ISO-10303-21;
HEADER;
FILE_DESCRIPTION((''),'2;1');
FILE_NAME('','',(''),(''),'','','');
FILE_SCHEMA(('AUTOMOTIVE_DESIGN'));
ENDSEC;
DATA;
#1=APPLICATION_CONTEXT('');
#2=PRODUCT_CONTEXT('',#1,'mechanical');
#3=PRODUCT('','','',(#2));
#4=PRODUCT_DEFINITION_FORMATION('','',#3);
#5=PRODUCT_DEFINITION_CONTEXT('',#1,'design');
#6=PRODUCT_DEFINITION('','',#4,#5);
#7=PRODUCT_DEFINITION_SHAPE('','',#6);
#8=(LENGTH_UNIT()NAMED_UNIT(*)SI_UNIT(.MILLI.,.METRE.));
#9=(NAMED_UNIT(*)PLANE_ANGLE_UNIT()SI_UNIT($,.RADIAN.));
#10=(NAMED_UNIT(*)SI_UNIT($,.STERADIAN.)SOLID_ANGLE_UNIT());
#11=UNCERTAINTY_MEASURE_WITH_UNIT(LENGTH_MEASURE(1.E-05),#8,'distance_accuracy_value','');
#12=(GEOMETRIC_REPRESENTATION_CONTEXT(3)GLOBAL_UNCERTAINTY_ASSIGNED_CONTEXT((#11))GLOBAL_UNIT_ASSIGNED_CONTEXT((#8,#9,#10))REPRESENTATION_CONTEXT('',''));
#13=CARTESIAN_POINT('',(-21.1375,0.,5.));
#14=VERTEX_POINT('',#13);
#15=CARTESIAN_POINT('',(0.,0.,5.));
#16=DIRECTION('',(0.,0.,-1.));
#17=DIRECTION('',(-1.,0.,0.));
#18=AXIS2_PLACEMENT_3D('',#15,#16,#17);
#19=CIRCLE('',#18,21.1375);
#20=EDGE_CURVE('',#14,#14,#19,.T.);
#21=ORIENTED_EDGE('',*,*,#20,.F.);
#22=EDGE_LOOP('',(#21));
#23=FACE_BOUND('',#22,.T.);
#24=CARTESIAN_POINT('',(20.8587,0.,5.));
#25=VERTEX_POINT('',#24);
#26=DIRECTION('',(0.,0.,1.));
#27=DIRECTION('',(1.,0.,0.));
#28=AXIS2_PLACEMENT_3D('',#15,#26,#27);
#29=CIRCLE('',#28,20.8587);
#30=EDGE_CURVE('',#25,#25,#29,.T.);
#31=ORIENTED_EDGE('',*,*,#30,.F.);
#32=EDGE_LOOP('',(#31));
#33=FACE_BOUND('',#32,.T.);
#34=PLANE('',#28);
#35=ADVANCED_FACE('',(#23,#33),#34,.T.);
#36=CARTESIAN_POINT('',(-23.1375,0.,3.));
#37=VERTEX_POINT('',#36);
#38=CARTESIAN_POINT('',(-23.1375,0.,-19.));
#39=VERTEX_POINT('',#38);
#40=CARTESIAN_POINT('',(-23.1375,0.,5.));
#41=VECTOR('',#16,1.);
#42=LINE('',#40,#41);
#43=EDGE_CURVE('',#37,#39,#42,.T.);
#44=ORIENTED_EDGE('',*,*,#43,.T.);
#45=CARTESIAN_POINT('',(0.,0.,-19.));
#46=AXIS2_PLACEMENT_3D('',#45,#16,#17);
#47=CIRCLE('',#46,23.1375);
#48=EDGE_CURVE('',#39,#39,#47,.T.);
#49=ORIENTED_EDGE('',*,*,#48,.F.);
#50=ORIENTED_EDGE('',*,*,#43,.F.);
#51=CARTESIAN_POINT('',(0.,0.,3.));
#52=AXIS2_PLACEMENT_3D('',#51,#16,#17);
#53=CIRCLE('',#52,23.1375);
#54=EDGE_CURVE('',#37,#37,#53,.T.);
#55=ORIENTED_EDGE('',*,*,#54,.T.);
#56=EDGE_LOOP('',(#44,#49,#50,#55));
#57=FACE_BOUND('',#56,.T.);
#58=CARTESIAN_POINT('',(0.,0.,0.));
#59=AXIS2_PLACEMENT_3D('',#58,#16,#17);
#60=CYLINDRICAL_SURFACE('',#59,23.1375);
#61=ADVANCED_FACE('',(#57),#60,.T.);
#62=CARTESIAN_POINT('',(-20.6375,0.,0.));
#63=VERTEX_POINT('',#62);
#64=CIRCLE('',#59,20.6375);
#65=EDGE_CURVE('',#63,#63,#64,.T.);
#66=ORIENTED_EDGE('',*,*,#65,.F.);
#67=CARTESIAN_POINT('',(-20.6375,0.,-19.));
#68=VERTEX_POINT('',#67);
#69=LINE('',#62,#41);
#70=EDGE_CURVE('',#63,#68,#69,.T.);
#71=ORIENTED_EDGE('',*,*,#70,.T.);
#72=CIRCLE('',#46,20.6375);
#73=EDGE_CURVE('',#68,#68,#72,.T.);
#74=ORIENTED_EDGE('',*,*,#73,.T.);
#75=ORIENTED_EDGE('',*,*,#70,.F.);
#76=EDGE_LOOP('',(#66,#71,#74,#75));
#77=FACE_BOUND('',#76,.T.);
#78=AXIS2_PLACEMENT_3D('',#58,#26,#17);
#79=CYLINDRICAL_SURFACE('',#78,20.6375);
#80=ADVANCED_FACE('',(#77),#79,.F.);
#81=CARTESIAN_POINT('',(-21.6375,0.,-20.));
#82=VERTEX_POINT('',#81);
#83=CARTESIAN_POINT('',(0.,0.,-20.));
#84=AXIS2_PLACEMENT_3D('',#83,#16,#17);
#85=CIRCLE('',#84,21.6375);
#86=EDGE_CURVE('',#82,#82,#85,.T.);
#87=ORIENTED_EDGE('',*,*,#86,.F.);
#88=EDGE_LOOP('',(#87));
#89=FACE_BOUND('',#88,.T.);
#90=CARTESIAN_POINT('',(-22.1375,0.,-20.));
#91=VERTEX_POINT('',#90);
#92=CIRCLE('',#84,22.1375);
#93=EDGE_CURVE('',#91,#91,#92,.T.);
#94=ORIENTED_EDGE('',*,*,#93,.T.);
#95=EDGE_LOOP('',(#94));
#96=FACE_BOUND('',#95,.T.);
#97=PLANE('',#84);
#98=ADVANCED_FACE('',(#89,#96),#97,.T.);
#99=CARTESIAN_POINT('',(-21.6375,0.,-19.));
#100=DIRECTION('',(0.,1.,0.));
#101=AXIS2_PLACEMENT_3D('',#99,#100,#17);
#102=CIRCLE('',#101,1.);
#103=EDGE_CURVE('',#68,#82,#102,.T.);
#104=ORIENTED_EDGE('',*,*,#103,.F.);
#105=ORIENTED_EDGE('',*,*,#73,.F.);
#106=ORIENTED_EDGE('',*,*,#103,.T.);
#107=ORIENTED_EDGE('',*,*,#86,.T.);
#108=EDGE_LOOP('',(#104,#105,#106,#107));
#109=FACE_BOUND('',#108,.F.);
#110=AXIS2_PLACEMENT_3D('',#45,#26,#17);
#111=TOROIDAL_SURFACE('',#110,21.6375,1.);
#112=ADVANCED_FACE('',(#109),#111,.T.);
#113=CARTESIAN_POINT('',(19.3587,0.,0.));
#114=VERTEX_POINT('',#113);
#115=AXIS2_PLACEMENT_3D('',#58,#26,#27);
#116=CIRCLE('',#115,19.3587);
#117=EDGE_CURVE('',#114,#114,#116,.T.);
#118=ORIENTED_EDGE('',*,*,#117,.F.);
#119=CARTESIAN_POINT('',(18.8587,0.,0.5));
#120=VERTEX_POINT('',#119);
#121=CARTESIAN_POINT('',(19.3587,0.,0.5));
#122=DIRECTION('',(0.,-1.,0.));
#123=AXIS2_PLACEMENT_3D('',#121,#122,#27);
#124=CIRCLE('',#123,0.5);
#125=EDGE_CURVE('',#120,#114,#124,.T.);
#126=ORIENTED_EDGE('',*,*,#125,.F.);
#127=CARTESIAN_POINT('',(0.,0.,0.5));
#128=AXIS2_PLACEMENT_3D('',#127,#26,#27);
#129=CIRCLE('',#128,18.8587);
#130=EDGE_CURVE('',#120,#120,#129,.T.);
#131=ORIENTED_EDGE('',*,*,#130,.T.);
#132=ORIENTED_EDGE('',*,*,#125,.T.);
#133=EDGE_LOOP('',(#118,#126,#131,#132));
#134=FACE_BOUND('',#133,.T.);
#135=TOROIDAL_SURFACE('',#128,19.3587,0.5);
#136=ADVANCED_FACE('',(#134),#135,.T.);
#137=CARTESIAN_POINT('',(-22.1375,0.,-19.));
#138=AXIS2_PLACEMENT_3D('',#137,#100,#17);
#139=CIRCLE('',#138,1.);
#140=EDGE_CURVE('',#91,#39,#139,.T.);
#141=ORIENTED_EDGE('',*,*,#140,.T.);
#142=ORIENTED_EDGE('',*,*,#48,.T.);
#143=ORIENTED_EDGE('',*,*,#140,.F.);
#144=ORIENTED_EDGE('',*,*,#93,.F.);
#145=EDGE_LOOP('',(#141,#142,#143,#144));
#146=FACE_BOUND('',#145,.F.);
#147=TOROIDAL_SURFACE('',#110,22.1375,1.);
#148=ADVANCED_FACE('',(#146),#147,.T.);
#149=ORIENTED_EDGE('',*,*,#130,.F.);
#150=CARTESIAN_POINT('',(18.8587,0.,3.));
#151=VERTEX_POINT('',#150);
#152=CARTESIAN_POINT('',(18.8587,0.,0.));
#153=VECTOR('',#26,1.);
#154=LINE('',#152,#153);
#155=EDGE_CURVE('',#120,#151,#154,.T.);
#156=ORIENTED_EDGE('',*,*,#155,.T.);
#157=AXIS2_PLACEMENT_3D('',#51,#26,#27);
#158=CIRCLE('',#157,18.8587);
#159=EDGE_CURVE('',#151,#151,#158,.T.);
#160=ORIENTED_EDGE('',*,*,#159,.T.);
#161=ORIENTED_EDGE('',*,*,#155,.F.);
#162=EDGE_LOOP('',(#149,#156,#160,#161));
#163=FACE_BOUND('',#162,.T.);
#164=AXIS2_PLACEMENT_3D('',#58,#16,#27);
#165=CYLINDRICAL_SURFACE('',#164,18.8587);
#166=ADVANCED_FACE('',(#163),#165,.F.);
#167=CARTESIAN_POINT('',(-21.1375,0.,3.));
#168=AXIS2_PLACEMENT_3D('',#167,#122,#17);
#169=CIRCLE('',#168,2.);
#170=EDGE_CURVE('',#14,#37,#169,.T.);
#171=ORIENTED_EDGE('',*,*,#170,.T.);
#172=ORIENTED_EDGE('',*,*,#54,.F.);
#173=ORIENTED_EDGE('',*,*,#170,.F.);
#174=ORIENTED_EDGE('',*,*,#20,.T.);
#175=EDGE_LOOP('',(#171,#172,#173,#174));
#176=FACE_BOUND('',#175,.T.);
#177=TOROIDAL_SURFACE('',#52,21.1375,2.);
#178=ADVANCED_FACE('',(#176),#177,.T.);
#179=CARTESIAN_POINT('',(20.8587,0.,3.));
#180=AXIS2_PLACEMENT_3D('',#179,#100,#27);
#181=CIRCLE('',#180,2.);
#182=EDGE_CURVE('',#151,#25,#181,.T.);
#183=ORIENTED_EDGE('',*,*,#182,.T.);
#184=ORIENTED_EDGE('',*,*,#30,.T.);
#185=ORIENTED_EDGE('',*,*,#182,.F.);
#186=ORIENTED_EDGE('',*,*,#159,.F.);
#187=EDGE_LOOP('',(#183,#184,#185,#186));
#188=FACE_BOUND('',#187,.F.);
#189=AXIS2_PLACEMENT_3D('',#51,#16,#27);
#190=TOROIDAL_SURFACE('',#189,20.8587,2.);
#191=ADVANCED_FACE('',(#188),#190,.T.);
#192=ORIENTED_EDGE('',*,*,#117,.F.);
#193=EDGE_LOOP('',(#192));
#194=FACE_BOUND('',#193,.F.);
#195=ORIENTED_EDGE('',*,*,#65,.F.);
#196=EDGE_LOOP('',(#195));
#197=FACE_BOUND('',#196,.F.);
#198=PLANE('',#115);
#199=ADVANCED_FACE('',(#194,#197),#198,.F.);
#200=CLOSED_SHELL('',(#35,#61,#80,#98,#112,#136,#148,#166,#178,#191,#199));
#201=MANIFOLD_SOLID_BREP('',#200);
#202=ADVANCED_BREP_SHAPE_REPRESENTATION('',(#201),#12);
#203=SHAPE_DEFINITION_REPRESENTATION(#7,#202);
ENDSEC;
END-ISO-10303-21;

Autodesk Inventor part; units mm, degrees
ref_plane "YZ Plane" through (0, 0, 0) normal (1, 0, 0) x (0, 1, 0)
ref_plane "XZ Plane" through (0, 0, 0) normal (0, 1, 0) x (-1, 0, 0)
ref_plane "XY Plane" through (0, 0, 0) normal (0, 0, 1) x (1, 0, 0)
sketch "Sketch1" plane through (0, 0, 0) normal (0, 0, 1) x (1, 0, 0)
  point P0 (0, 0)
sketch "Sketch2" plane through (0, 0, 0) normal (0, 0, 1) x (1, 0, 0)
  circle A0 centre (0, 0) radius 18.8587
  circle A1 centre (0, 0) radius 20.6375
  dimension "d0" = 37.7174
  dimension "d1" = 41.275
extrude "Extrusion1" add sketch "Sketch2" along normal blind 5
sketch "Sketch3" plane through (0, 0, 0) normal (0, 0, -1) x (-1, 0, 0)
  circle A0 centre (0, 0) radius 20.6375
  circle A1 centre (0, 0) radius 23.1375
  dimension "d4" = 46.275
extrude "Extrusion2" add sketch "Sketch3" along normal blind 20 and the other way blind 5
fillet "Fillet5" radius 1 2 edges at (20.6375, 0, -20) (23.1375, 0, -20)
fillet "Fillet6" radius 2 2 edges at (-18.8587, 0, 5) (23.1375, 0, 5)
fillet "Fillet7" radius 0.5 1 edges at (-18.8587, 0, 0)
properties part number "5200_Biax_TxRx_Relative_Position_AirFlowGuide_MPSv2_v3" material "Acetal Resin, White"
